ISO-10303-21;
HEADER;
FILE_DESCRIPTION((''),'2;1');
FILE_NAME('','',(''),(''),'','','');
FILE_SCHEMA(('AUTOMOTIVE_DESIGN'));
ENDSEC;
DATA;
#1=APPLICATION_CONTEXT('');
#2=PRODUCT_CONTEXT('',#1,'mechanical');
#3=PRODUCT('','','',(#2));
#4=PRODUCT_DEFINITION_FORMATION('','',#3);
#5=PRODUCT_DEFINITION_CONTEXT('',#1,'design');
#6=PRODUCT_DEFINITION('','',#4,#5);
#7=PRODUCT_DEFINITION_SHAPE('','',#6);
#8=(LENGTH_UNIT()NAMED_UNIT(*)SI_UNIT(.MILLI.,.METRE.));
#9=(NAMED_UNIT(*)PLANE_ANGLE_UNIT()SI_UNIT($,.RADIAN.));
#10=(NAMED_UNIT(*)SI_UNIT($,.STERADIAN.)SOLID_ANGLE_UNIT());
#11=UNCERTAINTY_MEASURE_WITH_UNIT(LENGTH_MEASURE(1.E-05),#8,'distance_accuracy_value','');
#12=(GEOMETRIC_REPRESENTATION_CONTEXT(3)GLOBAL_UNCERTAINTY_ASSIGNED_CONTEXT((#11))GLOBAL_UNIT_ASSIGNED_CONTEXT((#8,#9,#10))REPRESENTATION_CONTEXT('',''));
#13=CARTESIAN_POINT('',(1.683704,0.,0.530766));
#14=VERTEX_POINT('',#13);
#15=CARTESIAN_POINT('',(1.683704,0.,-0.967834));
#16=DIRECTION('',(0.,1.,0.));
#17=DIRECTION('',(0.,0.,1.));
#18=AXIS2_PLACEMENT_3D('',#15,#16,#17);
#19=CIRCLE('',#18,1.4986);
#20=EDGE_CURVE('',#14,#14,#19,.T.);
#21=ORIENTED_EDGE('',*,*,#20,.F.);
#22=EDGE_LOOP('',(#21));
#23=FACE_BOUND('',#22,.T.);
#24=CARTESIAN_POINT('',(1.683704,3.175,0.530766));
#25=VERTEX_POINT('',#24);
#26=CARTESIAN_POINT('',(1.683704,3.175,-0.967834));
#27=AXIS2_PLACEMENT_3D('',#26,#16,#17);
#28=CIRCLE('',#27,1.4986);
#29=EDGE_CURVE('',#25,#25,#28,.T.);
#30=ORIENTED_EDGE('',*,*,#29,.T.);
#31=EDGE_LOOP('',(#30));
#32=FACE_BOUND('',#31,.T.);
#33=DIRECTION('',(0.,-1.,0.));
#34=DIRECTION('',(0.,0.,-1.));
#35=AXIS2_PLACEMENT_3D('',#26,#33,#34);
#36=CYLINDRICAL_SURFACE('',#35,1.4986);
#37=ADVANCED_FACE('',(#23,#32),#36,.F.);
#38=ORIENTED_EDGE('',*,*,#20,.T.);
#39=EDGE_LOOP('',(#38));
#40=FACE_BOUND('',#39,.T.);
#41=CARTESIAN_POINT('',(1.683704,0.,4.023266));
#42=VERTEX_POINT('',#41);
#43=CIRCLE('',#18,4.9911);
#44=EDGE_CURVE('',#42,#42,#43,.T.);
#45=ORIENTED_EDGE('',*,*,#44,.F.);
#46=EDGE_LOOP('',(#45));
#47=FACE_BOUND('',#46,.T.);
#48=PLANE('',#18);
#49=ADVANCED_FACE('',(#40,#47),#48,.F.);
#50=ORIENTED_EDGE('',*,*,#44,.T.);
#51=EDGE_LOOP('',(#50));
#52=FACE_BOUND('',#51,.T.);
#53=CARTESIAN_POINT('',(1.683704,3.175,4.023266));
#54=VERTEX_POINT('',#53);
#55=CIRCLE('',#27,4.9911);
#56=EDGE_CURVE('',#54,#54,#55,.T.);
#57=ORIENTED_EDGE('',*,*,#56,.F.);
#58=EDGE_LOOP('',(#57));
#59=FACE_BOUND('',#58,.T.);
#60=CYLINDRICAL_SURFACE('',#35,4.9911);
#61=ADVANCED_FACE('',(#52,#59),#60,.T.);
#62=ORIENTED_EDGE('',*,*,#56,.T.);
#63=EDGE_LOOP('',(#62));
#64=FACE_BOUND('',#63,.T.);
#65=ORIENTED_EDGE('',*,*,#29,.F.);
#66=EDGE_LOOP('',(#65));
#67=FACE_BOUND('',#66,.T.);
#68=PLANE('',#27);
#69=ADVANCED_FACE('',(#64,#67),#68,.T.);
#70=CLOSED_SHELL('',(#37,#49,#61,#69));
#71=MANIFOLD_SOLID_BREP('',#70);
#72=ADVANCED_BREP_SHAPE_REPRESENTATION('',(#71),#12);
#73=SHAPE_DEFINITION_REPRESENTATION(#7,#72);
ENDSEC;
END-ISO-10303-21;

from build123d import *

# Parameters (mm, degrees)
SKETCH1_R           = 4.9911
SKETCH1_R_2         = 1.4986
BOSS_EXTRUDE1_DEPTH = 3.175


with BuildPart() as part:
    # Sketch1 → Boss-Extrude1 (new body)
    with BuildSketch(Plane(origin=(0, 0, 0), x_dir=(1, 0, 0), z_dir=(0, 1, 0))):
        with Locations(Location((1.683704156, 0.967834466, 0), (0, 0, 270))):
            Circle(SKETCH1_R)
        with Locations(Location((1.683704156, 0.967834466, 0), (0, 0, 270))):
            Circle(SKETCH1_R_2, mode=Mode.SUBTRACT)
    extrude(amount=BOSS_EXTRUDE1_DEPTH)


solid = part.part
